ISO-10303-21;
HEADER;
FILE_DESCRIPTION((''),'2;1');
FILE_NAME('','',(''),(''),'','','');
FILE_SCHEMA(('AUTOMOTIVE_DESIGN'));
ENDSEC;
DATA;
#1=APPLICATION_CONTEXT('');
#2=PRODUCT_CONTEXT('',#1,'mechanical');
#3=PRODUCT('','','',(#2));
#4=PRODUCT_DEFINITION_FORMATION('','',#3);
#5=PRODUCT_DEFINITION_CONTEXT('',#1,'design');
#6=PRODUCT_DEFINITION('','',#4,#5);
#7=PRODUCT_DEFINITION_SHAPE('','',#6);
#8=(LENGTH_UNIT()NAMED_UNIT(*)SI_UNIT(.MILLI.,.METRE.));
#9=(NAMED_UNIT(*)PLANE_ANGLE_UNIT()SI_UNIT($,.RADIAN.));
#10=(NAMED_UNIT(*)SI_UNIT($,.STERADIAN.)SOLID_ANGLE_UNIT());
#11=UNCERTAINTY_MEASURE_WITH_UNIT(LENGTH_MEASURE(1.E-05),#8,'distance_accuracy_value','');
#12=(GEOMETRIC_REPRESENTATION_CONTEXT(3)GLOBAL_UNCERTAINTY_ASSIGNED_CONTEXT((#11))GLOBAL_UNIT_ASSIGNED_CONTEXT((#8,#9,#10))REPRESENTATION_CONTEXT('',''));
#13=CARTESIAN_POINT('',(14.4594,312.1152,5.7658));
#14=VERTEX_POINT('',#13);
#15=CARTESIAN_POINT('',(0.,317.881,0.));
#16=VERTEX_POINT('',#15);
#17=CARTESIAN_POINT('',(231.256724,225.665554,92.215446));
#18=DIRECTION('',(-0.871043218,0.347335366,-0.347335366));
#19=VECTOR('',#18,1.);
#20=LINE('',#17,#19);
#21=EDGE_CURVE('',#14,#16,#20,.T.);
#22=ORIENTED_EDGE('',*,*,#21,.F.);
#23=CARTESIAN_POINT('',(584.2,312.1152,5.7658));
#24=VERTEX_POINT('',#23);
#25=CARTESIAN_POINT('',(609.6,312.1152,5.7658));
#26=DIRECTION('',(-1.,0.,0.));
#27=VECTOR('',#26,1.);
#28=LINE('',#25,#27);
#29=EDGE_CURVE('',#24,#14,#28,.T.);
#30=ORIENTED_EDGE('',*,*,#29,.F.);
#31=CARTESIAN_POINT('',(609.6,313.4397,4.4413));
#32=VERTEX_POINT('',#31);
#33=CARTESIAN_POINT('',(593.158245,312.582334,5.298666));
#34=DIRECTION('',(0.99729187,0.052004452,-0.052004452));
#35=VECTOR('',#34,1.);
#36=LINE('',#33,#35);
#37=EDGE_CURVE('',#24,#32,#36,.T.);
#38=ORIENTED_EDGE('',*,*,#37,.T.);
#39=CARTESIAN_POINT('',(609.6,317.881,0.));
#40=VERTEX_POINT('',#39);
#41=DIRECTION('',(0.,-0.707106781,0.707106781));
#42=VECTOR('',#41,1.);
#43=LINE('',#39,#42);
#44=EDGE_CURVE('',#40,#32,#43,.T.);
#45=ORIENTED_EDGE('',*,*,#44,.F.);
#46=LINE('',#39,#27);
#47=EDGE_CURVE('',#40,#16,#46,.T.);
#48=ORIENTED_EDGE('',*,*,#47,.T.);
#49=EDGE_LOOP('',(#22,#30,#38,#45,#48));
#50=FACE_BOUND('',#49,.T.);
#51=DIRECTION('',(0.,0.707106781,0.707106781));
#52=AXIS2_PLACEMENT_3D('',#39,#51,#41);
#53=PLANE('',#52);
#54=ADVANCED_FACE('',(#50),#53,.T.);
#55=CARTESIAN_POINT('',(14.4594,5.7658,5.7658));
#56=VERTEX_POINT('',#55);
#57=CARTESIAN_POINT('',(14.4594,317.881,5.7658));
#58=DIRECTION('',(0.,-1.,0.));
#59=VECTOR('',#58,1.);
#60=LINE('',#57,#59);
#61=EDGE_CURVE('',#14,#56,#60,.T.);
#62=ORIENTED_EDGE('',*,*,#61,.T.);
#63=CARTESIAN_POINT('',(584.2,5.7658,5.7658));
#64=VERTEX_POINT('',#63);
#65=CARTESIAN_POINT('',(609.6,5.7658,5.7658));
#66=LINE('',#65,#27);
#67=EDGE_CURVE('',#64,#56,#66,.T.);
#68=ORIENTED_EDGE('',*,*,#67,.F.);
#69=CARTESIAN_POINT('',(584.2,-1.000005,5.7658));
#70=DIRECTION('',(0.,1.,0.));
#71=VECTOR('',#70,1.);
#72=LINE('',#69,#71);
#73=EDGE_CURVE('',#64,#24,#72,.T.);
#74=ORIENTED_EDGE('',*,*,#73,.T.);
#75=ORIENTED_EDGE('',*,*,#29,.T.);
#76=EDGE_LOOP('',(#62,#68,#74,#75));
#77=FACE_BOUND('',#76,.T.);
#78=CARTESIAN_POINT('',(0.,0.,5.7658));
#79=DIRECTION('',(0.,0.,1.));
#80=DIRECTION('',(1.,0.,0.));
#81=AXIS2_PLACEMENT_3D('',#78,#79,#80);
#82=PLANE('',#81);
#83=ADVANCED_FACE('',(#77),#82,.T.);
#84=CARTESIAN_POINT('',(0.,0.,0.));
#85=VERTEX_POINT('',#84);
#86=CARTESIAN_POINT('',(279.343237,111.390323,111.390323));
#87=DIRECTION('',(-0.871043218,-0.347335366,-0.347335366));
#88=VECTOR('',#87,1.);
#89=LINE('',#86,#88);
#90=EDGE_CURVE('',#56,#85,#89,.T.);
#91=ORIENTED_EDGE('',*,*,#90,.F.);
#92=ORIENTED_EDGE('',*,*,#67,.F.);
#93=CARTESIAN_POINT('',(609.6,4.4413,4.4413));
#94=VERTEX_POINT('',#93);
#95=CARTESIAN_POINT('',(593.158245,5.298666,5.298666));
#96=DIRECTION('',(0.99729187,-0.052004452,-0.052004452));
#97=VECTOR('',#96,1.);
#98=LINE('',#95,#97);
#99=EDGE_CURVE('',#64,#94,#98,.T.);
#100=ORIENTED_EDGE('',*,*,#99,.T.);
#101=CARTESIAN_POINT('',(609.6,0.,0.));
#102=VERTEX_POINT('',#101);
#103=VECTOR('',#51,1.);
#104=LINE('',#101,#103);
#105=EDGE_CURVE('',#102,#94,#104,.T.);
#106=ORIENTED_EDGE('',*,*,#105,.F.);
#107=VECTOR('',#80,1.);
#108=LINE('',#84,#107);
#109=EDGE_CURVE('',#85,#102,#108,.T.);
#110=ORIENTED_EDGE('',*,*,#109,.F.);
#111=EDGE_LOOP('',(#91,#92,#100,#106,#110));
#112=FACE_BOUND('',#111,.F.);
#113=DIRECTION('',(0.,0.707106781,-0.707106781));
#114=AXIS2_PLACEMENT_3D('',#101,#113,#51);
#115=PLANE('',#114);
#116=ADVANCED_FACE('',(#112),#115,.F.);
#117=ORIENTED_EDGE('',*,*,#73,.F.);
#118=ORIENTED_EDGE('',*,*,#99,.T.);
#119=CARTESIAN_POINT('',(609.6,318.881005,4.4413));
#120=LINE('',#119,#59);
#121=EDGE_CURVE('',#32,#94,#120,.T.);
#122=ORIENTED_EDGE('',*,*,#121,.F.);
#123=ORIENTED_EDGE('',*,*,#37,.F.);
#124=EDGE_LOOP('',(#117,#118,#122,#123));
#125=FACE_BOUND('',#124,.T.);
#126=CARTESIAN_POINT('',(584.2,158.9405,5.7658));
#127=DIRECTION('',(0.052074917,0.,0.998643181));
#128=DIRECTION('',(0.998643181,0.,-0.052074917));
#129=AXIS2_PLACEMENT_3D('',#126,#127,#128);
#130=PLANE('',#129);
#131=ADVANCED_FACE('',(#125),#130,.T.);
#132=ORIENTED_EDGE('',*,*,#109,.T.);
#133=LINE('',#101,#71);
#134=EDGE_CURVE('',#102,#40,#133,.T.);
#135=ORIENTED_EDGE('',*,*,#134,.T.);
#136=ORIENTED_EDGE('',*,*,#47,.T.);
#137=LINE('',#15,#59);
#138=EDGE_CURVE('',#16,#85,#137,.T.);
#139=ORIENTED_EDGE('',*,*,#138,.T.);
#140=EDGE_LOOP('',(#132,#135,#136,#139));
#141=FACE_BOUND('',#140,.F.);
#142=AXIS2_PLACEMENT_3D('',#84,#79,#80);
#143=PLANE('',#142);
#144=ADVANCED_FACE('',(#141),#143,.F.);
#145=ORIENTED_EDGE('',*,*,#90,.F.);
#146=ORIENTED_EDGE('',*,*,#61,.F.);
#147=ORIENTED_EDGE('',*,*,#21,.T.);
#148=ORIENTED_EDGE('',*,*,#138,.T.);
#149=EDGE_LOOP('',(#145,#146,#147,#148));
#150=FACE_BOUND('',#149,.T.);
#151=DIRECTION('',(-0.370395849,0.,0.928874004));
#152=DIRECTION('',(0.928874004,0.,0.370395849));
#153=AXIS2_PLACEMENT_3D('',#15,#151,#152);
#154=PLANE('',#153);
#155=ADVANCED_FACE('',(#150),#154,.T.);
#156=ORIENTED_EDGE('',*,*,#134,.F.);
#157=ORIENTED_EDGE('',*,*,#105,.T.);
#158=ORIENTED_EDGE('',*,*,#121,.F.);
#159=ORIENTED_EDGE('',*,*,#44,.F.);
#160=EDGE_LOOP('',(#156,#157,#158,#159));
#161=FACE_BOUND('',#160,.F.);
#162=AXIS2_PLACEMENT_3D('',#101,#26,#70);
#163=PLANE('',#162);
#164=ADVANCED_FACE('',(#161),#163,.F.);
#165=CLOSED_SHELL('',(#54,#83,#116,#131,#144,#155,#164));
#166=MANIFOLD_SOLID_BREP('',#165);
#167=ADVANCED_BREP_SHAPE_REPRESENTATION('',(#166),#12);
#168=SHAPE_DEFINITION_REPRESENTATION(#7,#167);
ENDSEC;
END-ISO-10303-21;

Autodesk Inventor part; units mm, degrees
ref_plane "YZ Plane" through (0, 0, 0) normal (1, 0, 0) x (0, 1, 0)
ref_plane "XY Plane" through (0, 0, 0) normal (0, 0, 1) x (1, 0, 0)
sketch "Sketch1" plane through (0, 0, 0) normal (0, 0, 1) x (1, 0, 0)
  line L0 (0, 0) -> (609.6, 0)
  line L1 (609.6, 0) -> (609.6, 317.881)
  line L2 (609.6, 317.881) -> (0, 317.881)
  line L3 (0, 317.881) -> (0, 0)
  dimension "d0" = 609.6
  dimension "d1" = 317.881
extrude "Extrusion1" add sketch "Sketch1" along normal blind 5.7658
sketch "Sketch2" plane through (0, 317.881, 0) normal (0, 1, 0) x (1, 0, 0)
  line L0 (609.6, 0) -> (0, 0) projected
  line L1 (0, 0) -> (0, -5.7658) projected
  line L2 (609.6, -5.7658) -> (0, -5.7658) projected
  line L3 (609.6, 0) -> (609.6, -5.7658) projected
  line L4 (0, 0) -> (609.6, 0) projected
  line L5 (0, 0) -> (14.4594, -5.7658)
  line L6 (0, -5.7658) -> (609.6, -5.7658) projected
  line L7 (14.4594, -5.7658) -> (14.4594, 0)
  line L8 (14.4594, -5.7658) -> (20.2252, -5.7658) construction
  dimension "d4" = 21.74
  dimension "d5" = 90
extrude "Extrusion2" cut sketch "Sketch2" against normal through all contours L5 L2 L1
sketch "Sketch3" plane through (609.6, 0, 0) normal (1, 0, 0) x (0, 0, -1)
  line L0 (0, 0) -> (0, 317.881) projected
  line L1 (0, 317.881) -> (-5.7658, 317.881) projected
  line L2 (-5.7658, 0) -> (-5.7658, 317.881) projected
  line L3 (0, 0) -> (-5.7658, 0) projected
  line L4 (0, 0) -> (-5.7658, 0) projected
  line L5 (0, 0) -> (-5.7658, 5.7658)
  line L6 (-5.7658, 0) -> (-5.7658, 317.881) projected
  line L7 (0, 0) -> (8.1541, 0) construction
  line L8 (0, 317.881) -> (-5.7658, 317.881) projected
  line L9 (0, 317.881) -> (-5.7658, 312.1152)
  line L10 (0, 317.881) -> (8.1541, 317.881) construction
  dimension "d8" = 135
  dimension "d9" = 135
extrude "Extrusion3" cut sketch "Sketch3" against normal through all contours L3 L2 L5 | L9 L2 L1
ref_plane "Work Plane1" through (0, 158.9405, 0) normal (0, 1, 0) x (-1, 0, 0)
sketch "Sketch4" plane through (0, 158.9405, 0) normal (0, 1, 0) x (-1, 0, 0)
  line L0 (-14.4594, 5.7658) -> (0, 0) projected
  line L1 (-609.6, 5.7658) -> (-14.4594, 5.7658) projected
  line L2 (-609.6, 0) -> (-609.6, 5.7658) projected
  line L3 (-609.6, 0) -> (0, 0) projected
  line L4 (-609.6, 5.7658) -> (-584.2, 5.7658) construction
  line L5 (-584.2, 5.7658) -> (-609.6, 4.4413)
  point P0 (0, 0)
  dimension "d13" = 25.4
  dimension "d14" = 2.985
extrude "Extrusion4" cut sketch "Sketch4" against normal through all both and the other way through all contours L5 L2 L1
properties part number "Wind Tunnel Test Section Back" material "Polycarbonate, Clear"
